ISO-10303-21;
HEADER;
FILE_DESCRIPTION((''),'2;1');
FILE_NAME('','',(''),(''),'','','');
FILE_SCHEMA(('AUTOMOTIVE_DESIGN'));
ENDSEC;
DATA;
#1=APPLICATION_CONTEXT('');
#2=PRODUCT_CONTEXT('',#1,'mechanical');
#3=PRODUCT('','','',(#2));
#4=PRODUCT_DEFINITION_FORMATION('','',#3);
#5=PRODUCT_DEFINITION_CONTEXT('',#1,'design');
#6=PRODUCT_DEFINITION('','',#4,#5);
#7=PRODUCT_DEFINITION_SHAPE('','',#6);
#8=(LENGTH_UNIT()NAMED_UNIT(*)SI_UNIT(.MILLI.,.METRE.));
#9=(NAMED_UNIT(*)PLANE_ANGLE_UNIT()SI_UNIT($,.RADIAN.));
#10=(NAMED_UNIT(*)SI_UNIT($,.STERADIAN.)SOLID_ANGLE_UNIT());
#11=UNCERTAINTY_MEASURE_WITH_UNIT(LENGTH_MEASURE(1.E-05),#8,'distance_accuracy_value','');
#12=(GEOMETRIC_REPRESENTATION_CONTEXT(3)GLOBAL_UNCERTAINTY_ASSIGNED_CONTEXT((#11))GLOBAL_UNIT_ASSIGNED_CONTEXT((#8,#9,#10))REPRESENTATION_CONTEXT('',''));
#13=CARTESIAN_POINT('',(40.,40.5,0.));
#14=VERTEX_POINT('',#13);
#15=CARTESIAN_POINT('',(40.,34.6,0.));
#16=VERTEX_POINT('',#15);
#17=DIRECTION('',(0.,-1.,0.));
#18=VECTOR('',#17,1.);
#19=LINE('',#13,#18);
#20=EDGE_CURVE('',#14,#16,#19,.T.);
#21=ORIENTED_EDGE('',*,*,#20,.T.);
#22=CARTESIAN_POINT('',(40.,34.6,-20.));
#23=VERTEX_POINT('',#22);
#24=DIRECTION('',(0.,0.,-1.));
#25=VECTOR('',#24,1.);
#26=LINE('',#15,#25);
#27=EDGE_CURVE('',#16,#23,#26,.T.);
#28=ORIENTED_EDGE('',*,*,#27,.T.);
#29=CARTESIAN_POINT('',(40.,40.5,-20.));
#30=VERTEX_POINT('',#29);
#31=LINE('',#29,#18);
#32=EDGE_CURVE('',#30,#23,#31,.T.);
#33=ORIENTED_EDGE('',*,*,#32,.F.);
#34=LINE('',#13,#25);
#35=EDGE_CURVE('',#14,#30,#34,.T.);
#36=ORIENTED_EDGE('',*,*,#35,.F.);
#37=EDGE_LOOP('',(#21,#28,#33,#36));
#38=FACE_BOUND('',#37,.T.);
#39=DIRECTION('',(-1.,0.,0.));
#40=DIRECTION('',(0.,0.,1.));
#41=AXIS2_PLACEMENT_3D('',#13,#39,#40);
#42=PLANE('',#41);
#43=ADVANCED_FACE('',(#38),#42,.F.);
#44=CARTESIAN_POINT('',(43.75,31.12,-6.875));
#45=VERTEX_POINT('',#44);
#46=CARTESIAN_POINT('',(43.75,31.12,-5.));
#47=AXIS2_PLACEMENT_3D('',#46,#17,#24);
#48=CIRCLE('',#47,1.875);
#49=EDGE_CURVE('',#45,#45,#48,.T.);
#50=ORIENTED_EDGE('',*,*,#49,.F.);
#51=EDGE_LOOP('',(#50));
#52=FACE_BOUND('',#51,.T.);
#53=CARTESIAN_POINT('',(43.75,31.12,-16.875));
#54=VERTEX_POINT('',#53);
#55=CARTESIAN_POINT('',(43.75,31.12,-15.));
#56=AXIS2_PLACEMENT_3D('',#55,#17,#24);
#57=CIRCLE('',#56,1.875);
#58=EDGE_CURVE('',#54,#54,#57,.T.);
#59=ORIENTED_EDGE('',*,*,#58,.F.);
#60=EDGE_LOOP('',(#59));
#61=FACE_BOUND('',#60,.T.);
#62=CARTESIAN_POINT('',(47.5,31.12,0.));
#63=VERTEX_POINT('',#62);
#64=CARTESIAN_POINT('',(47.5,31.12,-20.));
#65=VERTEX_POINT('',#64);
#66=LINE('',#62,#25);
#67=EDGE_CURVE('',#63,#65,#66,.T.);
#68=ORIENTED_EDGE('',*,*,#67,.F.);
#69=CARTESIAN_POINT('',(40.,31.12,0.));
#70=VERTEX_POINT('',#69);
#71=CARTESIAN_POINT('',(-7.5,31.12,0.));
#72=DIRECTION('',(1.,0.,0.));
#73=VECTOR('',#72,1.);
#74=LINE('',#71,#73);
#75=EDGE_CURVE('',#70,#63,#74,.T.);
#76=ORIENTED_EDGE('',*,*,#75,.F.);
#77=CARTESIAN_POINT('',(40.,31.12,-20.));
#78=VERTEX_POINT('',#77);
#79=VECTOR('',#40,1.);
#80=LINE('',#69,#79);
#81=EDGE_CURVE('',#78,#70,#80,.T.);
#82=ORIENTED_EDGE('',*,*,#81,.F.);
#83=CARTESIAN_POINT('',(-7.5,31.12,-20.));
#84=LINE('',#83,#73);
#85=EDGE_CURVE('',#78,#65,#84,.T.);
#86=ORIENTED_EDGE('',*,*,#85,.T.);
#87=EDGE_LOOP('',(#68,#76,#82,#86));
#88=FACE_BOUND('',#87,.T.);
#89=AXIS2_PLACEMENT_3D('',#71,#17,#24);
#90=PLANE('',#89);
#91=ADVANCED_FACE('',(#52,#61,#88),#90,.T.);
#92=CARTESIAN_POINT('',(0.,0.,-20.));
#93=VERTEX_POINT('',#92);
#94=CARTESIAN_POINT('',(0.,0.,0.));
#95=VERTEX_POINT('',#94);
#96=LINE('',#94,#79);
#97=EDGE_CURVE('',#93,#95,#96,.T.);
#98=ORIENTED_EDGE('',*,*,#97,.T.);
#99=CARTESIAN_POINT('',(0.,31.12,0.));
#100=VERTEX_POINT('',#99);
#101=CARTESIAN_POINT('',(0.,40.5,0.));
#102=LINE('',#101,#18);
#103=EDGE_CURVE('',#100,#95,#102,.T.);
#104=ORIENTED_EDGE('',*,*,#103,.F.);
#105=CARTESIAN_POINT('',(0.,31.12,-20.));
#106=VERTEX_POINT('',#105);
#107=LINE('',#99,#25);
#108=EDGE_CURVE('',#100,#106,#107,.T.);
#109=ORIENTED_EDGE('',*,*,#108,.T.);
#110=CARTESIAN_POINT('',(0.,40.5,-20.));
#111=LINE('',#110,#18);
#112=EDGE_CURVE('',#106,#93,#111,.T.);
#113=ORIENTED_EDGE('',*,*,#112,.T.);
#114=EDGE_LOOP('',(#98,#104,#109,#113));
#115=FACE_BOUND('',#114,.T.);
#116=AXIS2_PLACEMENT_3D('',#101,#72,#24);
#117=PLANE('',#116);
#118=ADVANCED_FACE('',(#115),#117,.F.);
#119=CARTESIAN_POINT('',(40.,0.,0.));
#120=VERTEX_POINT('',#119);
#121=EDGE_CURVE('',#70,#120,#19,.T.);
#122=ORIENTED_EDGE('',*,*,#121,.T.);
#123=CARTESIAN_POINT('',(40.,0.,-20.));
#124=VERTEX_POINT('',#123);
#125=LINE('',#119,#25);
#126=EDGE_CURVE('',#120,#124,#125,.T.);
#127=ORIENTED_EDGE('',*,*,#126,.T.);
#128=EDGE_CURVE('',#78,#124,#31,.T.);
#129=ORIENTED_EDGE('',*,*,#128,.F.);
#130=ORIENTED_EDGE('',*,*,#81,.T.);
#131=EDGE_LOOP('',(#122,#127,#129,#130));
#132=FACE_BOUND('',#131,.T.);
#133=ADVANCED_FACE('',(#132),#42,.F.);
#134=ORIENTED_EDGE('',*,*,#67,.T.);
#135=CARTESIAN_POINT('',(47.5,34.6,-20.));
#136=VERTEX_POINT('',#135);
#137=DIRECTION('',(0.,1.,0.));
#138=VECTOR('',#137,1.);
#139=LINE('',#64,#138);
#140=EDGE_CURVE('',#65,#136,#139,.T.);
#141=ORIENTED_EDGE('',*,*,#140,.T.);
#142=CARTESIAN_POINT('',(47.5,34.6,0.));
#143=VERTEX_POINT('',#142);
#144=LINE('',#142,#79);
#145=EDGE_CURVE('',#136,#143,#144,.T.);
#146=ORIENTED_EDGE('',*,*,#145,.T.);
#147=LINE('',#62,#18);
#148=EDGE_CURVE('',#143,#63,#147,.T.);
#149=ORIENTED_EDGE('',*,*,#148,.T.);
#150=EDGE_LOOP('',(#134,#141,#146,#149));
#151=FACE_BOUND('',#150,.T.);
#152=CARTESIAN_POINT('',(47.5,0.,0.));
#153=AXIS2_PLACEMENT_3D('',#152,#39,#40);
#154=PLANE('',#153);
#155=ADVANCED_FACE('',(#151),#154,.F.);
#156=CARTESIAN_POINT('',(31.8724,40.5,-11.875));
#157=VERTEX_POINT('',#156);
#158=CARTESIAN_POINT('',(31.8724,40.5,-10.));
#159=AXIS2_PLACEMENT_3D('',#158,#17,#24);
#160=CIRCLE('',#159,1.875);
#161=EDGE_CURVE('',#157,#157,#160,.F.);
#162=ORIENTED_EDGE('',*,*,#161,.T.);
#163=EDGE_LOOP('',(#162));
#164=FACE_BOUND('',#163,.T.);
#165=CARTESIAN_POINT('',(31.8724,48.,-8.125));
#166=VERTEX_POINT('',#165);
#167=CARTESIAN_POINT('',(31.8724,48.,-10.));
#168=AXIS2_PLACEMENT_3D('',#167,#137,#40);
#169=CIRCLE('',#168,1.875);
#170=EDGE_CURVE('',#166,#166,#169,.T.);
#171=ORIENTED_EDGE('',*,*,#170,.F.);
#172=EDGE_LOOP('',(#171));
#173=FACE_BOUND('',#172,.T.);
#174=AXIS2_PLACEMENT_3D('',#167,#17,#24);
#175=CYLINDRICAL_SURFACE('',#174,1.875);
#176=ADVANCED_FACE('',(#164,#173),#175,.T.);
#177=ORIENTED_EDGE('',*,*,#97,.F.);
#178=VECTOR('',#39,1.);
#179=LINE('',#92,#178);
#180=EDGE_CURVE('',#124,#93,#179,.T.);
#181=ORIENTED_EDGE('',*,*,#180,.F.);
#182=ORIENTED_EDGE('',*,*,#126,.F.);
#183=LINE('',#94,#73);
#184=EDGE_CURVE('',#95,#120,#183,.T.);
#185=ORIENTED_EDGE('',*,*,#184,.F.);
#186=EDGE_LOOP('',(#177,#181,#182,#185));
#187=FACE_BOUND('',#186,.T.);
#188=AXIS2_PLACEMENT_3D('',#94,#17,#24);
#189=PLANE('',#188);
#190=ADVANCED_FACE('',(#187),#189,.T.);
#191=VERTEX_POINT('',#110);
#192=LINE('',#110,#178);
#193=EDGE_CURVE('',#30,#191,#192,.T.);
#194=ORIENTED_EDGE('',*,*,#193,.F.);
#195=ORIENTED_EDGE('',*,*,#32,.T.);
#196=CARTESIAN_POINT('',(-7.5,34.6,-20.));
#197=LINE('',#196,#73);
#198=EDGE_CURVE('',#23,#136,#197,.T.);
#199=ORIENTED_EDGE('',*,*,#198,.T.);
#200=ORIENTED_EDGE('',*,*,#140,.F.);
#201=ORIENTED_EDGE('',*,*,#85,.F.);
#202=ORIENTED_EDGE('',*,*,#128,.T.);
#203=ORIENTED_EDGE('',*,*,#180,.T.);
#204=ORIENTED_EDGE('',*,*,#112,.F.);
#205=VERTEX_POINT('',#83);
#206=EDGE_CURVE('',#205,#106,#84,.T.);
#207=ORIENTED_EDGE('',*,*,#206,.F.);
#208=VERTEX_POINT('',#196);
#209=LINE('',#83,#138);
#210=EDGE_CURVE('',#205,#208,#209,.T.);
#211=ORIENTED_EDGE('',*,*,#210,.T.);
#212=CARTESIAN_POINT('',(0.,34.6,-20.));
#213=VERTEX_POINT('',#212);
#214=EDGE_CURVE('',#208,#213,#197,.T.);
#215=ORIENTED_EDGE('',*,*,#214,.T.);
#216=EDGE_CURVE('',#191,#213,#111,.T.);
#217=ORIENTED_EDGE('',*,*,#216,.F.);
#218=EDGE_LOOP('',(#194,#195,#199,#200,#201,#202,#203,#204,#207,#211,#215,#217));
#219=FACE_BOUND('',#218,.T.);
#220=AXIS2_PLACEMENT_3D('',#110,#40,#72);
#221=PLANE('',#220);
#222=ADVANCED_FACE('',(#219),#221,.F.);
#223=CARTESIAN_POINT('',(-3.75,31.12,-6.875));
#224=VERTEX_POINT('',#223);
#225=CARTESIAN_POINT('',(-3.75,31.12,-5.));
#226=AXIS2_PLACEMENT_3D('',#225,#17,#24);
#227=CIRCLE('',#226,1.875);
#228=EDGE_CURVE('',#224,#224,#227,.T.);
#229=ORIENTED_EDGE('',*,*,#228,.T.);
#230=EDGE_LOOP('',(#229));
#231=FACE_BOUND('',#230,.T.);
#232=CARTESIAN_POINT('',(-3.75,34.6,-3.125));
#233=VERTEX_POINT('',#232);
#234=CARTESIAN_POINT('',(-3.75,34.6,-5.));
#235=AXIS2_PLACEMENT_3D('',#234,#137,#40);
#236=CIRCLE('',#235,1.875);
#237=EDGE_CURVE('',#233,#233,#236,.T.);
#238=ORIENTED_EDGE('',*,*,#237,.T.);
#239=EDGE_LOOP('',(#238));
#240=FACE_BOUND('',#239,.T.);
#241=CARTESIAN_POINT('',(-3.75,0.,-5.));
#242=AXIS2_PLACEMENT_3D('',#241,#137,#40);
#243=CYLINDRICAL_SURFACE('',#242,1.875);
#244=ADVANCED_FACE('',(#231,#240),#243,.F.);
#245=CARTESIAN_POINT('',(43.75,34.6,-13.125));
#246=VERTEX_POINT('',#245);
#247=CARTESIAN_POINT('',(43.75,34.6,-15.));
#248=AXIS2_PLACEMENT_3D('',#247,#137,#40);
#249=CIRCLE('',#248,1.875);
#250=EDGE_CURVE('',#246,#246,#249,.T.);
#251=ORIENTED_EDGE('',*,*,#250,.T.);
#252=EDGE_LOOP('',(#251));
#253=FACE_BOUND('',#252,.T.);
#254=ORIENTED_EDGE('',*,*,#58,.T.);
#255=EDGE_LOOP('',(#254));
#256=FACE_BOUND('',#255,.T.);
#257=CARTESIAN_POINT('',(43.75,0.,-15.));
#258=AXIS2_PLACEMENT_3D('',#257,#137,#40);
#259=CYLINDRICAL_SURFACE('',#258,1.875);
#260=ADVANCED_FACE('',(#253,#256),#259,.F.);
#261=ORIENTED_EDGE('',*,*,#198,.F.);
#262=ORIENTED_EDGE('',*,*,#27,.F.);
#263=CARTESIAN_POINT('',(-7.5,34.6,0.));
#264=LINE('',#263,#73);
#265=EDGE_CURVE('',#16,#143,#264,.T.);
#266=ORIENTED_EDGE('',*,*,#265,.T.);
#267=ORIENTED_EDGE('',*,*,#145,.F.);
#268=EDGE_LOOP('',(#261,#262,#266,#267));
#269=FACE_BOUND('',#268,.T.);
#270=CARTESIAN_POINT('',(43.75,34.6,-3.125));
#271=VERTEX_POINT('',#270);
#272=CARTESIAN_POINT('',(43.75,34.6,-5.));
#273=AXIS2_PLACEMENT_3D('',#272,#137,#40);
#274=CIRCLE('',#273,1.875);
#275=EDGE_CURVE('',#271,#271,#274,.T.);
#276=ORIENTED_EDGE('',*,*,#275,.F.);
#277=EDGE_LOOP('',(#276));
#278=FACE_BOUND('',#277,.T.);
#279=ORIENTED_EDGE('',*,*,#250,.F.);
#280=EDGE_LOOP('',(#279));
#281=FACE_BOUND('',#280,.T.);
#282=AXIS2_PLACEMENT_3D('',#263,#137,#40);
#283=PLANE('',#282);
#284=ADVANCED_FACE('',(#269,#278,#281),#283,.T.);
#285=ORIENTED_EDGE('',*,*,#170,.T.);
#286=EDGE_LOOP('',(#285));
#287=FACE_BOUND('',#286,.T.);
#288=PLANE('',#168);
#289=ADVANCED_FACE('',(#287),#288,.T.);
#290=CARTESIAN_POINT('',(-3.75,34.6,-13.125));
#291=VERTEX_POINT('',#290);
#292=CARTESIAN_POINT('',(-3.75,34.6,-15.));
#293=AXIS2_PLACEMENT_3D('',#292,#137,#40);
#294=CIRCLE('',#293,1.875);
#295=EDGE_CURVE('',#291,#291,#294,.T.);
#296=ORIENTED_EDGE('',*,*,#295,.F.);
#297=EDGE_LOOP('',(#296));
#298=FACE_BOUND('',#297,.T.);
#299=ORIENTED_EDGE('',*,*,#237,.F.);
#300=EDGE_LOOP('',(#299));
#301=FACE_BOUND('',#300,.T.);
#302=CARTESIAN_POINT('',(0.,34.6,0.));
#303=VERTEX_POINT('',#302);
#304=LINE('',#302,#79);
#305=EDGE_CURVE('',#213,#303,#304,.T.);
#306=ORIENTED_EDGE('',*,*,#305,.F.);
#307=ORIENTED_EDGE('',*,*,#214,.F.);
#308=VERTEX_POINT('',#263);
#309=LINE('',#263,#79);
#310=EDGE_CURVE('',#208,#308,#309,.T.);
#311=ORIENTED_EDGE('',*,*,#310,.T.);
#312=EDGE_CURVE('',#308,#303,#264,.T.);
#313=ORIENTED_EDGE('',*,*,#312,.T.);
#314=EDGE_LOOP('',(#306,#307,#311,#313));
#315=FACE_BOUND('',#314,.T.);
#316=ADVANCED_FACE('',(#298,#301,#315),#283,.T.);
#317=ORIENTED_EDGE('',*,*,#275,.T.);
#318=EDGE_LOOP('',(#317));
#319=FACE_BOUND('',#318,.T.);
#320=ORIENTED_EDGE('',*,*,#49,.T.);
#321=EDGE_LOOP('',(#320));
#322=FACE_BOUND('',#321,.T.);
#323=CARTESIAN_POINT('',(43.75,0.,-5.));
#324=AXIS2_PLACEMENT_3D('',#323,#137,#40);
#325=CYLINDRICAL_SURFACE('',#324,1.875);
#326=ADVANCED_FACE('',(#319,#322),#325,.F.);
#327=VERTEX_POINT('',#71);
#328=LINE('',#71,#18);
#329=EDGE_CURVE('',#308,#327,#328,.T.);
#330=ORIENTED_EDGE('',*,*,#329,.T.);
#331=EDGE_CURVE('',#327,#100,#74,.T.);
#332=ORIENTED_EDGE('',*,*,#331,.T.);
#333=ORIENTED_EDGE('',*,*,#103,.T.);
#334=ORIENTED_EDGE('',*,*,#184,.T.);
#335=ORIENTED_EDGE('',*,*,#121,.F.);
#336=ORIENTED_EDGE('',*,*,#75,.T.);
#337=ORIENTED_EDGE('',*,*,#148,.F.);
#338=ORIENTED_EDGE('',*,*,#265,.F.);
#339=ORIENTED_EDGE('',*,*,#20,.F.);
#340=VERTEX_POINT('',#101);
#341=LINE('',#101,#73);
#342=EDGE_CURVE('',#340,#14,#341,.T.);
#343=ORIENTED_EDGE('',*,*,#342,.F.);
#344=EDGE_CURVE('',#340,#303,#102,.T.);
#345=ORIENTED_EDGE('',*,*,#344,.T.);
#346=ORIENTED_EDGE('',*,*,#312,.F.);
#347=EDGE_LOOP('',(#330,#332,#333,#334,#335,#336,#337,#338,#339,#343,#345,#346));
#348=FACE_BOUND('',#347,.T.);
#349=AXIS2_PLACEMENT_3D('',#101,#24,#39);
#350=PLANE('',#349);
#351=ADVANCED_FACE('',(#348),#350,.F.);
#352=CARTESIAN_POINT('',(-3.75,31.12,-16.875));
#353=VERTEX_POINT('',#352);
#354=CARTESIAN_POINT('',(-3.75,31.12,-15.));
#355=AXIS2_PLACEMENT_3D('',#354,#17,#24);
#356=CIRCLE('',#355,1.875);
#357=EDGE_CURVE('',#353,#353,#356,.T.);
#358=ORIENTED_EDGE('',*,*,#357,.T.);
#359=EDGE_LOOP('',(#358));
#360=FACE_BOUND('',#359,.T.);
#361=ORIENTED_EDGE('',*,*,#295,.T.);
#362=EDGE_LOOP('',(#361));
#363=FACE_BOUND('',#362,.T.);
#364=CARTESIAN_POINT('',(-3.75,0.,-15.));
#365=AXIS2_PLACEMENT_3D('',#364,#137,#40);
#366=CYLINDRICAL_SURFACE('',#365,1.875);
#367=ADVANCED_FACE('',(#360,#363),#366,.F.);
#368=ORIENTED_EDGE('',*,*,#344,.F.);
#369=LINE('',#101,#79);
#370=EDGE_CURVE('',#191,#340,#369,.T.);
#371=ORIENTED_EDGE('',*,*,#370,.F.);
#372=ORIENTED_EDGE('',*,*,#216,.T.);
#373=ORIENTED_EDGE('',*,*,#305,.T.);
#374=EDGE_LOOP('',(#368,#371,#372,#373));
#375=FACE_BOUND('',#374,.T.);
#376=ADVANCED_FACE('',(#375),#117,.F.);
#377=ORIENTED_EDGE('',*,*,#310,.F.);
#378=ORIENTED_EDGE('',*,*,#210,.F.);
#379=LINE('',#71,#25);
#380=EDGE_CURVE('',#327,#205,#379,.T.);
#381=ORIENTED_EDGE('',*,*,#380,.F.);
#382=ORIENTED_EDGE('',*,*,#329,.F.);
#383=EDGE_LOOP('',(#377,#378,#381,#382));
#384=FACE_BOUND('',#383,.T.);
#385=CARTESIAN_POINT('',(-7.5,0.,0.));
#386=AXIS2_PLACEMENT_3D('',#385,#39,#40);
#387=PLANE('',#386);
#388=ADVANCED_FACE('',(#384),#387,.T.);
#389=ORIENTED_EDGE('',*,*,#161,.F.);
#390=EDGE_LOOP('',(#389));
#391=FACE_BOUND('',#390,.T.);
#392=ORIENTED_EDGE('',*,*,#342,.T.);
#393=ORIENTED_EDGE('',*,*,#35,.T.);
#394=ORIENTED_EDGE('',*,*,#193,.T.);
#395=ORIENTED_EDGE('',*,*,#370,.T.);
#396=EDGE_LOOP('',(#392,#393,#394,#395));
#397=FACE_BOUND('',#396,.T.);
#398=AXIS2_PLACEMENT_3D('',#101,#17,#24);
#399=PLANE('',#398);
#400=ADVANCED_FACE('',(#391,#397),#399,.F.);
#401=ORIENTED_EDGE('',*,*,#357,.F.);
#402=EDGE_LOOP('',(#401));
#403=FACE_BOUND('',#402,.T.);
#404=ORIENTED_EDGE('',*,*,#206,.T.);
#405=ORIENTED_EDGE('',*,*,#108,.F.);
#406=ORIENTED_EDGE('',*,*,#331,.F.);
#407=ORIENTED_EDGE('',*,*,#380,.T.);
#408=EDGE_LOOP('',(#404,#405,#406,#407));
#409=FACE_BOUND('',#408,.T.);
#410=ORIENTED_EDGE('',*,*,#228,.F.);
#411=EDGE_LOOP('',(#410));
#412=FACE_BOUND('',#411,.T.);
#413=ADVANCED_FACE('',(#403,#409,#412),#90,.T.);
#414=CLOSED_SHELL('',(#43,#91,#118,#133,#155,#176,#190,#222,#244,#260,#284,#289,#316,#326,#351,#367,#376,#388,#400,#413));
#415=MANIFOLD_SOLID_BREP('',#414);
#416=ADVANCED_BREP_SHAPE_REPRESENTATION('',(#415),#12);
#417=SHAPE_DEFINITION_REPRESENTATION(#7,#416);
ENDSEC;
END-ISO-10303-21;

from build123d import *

# Parameters (mm, degrees)
SKETCH1_W                = 40
SKETCH1_H                = 20
BOSS_EXTRUDE1_DEPTH      = 40.5
BOSS_EXTRUDE2_DEPTH      = 7.5
BOSS_EXTRUDE2_DEPTH_BACK = 47.5
SKETCH2_W                = 20
SKETCH2_H                = 3.48
SKETCH3_R                = 1.875
CUT_EXTRUDE1_DEPTH       = 63.075840711
SKETCH4_R                = 1.875
BOSS_EXTRUDE3_DEPTH      = 7.5


with BuildPart() as part:
    # Sketch1 → Boss-Extrude1 (new body)
    with BuildSketch(Plane(origin=(0, 0, 0), x_dir=(1, 0, 0), z_dir=(0, 1, 0))):
        with Locations((20, 10)):
            Rectangle(SKETCH1_W, SKETCH1_H)
    extrude(amount=BOSS_EXTRUDE1_DEPTH)

    # Sketch2 → Boss-Extrude2 (add, two sides: drawn at the far end of the back side and taken through both)
    with BuildSketch(Plane(origin=(40, 0, 0), x_dir=(0, 0, -1), z_dir=(1, 0, 0)).offset(-BOSS_EXTRUDE2_DEPTH_BACK)):
        with Locations((10, 32.86)):
            Rectangle(SKETCH2_W, SKETCH2_H)
    extrude(amount=BOSS_EXTRUDE2_DEPTH + BOSS_EXTRUDE2_DEPTH_BACK)

    # Sketch3 → Cut-Extrude1 (cut, through all)
    with BuildSketch(Plane(origin=(0, 34.6, 0), x_dir=(1, 0, 0), z_dir=(0, 1, 0))):
        with Locations(Location((43.75, 15, 0), (0, 0, 270))):
            Circle(SKETCH3_R)
        with Locations(Location((43.75, 5, 0), (0, 0, 270))):
            Circle(SKETCH3_R)
        with Locations(Location((-3.75, 15, 0), (0, 0, 270))):
            Circle(SKETCH3_R)
        with Locations(Location((-3.75, 5, 0), (0, 0, 270))):
            Circle(SKETCH3_R)
    extrude(amount=-CUT_EXTRUDE1_DEPTH, mode=Mode.SUBTRACT)

    # Sketch4 → Boss-Extrude3 (add)
    with BuildSketch(Plane(origin=(0, 40.5, 0), x_dir=(1, 0, 0), z_dir=(0, 1, 0))):
        with Locations(Location((31.8724, 10, 0), (0, 0, 90))):
            Circle(SKETCH4_R)
    extrude(amount=BOSS_EXTRUDE3_DEPTH)


solid = part.part
